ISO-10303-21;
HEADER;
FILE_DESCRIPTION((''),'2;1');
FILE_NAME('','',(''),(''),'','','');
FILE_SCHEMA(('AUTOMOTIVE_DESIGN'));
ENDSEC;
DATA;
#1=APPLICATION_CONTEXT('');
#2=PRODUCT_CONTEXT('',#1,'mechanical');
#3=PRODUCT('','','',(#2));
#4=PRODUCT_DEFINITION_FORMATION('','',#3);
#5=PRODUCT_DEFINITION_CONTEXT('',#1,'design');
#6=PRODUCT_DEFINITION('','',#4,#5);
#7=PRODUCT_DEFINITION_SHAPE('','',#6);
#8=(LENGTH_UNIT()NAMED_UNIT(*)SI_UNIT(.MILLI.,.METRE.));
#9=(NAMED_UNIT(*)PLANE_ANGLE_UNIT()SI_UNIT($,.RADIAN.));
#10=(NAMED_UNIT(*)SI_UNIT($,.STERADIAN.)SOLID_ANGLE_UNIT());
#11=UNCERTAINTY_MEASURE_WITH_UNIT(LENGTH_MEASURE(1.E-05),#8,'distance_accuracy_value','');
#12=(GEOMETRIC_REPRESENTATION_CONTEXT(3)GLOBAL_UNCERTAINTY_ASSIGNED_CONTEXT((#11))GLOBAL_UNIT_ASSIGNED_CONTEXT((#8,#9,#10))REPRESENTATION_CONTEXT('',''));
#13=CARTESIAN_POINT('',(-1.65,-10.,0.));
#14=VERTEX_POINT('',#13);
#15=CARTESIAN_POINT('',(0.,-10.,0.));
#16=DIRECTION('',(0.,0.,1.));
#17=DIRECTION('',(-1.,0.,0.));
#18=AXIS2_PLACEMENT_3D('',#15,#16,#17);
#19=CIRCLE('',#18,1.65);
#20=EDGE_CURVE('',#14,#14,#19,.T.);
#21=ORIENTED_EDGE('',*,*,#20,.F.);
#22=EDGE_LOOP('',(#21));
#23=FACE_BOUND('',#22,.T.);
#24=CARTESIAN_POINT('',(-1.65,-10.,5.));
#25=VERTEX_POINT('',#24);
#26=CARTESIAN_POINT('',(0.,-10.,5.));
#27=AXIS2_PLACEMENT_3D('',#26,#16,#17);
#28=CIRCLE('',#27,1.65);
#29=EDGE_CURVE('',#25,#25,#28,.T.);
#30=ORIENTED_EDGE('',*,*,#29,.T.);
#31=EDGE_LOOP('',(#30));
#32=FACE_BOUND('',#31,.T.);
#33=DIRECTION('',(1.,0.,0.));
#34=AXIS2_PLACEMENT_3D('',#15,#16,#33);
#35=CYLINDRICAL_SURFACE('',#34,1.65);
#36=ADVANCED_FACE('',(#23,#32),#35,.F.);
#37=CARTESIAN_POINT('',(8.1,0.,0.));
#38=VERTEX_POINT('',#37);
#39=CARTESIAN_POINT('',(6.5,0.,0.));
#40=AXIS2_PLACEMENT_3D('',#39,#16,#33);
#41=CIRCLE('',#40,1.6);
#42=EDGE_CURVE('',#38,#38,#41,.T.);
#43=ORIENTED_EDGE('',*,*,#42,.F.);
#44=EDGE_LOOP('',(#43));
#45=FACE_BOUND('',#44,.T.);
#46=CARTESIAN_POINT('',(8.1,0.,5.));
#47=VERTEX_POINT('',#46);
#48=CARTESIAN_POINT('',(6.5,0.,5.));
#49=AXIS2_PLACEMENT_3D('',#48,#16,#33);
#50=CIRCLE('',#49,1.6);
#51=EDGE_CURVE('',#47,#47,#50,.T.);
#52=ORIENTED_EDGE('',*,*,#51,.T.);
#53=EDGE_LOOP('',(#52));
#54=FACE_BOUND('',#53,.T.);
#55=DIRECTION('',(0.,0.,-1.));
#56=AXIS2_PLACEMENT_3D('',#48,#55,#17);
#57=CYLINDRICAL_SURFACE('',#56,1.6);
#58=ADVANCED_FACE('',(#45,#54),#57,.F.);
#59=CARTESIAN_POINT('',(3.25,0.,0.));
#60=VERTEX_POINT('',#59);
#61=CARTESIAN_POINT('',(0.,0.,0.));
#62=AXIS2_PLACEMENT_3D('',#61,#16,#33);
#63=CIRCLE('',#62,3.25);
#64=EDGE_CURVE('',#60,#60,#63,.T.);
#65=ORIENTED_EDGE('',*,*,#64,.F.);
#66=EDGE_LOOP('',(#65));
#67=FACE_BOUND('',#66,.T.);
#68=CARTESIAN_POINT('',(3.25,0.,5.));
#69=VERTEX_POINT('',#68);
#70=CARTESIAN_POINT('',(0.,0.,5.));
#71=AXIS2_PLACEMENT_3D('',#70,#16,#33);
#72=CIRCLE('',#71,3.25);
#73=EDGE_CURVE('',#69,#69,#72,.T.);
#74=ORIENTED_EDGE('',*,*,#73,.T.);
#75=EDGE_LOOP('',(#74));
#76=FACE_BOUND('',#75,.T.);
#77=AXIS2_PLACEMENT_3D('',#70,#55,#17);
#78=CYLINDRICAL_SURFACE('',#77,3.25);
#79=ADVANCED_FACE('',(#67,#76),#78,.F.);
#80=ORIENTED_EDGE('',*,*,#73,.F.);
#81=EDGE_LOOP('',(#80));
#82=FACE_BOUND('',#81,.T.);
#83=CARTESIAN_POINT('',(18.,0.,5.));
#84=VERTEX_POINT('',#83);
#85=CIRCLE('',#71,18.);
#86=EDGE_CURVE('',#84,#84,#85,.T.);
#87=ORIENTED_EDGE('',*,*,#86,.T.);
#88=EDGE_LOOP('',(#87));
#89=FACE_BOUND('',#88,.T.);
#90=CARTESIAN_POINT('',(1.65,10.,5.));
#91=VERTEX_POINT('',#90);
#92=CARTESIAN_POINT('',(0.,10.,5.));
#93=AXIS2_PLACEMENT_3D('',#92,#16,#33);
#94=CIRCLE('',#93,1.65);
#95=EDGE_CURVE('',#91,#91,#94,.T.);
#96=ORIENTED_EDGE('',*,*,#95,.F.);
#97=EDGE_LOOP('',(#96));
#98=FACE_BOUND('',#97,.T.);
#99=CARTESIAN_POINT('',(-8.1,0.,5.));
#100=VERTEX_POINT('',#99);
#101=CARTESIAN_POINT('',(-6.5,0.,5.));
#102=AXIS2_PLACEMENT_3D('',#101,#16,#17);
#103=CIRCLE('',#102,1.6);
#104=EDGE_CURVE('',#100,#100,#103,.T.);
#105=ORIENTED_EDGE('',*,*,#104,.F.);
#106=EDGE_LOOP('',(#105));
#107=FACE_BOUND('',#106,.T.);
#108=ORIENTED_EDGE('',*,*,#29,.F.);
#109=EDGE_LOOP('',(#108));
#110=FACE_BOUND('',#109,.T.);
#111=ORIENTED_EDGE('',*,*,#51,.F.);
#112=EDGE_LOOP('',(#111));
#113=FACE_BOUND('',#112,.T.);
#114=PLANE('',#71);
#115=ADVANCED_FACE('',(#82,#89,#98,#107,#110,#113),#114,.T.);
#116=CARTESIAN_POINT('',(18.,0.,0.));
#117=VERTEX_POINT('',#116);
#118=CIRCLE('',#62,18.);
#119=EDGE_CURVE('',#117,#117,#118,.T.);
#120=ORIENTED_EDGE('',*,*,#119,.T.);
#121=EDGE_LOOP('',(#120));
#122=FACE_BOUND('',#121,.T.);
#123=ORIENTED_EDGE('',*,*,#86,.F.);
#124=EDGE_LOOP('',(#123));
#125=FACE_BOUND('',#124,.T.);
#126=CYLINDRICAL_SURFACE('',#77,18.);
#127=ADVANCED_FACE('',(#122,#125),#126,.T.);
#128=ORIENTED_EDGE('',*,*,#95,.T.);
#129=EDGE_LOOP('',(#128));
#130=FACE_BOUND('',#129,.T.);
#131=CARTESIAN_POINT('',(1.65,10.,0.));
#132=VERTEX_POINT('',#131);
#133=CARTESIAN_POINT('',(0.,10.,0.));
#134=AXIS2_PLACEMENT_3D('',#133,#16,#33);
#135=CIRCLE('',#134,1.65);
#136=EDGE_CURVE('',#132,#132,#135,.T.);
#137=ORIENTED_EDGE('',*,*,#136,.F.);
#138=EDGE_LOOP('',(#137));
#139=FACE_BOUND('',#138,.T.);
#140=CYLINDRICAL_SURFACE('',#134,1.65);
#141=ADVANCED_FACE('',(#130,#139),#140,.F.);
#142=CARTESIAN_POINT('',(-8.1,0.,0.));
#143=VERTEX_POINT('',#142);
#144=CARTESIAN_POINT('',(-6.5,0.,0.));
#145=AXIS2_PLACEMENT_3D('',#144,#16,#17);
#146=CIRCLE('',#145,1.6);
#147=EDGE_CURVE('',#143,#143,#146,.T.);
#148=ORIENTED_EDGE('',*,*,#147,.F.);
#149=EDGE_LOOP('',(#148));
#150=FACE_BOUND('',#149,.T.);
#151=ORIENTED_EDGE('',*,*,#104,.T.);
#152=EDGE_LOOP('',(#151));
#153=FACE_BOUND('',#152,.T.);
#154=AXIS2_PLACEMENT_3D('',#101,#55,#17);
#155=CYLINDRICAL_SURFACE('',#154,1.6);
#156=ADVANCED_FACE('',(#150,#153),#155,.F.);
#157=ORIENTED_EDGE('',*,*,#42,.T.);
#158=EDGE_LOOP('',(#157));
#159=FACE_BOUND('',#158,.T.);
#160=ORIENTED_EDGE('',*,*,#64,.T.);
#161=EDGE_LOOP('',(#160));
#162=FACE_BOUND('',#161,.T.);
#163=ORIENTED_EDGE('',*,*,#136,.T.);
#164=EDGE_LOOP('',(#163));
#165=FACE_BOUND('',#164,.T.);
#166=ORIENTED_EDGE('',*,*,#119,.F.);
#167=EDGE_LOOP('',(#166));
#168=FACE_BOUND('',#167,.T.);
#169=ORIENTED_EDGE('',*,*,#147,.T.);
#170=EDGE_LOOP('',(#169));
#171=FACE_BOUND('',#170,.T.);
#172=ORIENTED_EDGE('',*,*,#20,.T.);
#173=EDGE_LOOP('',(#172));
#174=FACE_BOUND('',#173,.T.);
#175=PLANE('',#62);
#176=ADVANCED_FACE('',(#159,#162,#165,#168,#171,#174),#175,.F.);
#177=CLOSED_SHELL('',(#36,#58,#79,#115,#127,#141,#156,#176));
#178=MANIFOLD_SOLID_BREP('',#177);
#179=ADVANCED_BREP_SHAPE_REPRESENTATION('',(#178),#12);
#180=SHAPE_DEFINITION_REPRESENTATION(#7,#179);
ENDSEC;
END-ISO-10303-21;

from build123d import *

# Parameters (mm, degrees)
SKETCH_1_R          = 18
SKETCH_1_R_2        = 3.25
SKETCH_1_R_3        = 1.6
EXTRUDE_1_DEPTH     = 5
SKETCH_2_R          = 1.65
CUT_EXTRUDE_1_DEPTH = 26.942243542


with BuildPart() as part:
    # ｽｹｯﾁ1 → ﾎﾞｽ - 押し出し1 (new body)
    with BuildSketch(Plane.XY):
        Circle(SKETCH_1_R)
        Circle(SKETCH_1_R_2, mode=Mode.SUBTRACT)
        with Locations((6.5, 0)):
            Circle(SKETCH_1_R_3, mode=Mode.SUBTRACT)
        with Locations(Location((-6.5, 0, 0), (0, 0, 180))):
            Circle(SKETCH_1_R_3, mode=Mode.SUBTRACT)
    extrude(amount=EXTRUDE_1_DEPTH)

    # ｽｹｯﾁ2 → ｶｯﾄ - 押し出し1 (cut, through all)
    with BuildSketch(Plane.XY.offset(5)):
        with Locations((0, 10)):
            Circle(SKETCH_2_R)
        with Locations(Location((0, -10, 0), (0, 0, 180))):
            Circle(SKETCH_2_R)
    extrude(amount=-CUT_EXTRUDE_1_DEPTH, mode=Mode.SUBTRACT)


solid = part.part
